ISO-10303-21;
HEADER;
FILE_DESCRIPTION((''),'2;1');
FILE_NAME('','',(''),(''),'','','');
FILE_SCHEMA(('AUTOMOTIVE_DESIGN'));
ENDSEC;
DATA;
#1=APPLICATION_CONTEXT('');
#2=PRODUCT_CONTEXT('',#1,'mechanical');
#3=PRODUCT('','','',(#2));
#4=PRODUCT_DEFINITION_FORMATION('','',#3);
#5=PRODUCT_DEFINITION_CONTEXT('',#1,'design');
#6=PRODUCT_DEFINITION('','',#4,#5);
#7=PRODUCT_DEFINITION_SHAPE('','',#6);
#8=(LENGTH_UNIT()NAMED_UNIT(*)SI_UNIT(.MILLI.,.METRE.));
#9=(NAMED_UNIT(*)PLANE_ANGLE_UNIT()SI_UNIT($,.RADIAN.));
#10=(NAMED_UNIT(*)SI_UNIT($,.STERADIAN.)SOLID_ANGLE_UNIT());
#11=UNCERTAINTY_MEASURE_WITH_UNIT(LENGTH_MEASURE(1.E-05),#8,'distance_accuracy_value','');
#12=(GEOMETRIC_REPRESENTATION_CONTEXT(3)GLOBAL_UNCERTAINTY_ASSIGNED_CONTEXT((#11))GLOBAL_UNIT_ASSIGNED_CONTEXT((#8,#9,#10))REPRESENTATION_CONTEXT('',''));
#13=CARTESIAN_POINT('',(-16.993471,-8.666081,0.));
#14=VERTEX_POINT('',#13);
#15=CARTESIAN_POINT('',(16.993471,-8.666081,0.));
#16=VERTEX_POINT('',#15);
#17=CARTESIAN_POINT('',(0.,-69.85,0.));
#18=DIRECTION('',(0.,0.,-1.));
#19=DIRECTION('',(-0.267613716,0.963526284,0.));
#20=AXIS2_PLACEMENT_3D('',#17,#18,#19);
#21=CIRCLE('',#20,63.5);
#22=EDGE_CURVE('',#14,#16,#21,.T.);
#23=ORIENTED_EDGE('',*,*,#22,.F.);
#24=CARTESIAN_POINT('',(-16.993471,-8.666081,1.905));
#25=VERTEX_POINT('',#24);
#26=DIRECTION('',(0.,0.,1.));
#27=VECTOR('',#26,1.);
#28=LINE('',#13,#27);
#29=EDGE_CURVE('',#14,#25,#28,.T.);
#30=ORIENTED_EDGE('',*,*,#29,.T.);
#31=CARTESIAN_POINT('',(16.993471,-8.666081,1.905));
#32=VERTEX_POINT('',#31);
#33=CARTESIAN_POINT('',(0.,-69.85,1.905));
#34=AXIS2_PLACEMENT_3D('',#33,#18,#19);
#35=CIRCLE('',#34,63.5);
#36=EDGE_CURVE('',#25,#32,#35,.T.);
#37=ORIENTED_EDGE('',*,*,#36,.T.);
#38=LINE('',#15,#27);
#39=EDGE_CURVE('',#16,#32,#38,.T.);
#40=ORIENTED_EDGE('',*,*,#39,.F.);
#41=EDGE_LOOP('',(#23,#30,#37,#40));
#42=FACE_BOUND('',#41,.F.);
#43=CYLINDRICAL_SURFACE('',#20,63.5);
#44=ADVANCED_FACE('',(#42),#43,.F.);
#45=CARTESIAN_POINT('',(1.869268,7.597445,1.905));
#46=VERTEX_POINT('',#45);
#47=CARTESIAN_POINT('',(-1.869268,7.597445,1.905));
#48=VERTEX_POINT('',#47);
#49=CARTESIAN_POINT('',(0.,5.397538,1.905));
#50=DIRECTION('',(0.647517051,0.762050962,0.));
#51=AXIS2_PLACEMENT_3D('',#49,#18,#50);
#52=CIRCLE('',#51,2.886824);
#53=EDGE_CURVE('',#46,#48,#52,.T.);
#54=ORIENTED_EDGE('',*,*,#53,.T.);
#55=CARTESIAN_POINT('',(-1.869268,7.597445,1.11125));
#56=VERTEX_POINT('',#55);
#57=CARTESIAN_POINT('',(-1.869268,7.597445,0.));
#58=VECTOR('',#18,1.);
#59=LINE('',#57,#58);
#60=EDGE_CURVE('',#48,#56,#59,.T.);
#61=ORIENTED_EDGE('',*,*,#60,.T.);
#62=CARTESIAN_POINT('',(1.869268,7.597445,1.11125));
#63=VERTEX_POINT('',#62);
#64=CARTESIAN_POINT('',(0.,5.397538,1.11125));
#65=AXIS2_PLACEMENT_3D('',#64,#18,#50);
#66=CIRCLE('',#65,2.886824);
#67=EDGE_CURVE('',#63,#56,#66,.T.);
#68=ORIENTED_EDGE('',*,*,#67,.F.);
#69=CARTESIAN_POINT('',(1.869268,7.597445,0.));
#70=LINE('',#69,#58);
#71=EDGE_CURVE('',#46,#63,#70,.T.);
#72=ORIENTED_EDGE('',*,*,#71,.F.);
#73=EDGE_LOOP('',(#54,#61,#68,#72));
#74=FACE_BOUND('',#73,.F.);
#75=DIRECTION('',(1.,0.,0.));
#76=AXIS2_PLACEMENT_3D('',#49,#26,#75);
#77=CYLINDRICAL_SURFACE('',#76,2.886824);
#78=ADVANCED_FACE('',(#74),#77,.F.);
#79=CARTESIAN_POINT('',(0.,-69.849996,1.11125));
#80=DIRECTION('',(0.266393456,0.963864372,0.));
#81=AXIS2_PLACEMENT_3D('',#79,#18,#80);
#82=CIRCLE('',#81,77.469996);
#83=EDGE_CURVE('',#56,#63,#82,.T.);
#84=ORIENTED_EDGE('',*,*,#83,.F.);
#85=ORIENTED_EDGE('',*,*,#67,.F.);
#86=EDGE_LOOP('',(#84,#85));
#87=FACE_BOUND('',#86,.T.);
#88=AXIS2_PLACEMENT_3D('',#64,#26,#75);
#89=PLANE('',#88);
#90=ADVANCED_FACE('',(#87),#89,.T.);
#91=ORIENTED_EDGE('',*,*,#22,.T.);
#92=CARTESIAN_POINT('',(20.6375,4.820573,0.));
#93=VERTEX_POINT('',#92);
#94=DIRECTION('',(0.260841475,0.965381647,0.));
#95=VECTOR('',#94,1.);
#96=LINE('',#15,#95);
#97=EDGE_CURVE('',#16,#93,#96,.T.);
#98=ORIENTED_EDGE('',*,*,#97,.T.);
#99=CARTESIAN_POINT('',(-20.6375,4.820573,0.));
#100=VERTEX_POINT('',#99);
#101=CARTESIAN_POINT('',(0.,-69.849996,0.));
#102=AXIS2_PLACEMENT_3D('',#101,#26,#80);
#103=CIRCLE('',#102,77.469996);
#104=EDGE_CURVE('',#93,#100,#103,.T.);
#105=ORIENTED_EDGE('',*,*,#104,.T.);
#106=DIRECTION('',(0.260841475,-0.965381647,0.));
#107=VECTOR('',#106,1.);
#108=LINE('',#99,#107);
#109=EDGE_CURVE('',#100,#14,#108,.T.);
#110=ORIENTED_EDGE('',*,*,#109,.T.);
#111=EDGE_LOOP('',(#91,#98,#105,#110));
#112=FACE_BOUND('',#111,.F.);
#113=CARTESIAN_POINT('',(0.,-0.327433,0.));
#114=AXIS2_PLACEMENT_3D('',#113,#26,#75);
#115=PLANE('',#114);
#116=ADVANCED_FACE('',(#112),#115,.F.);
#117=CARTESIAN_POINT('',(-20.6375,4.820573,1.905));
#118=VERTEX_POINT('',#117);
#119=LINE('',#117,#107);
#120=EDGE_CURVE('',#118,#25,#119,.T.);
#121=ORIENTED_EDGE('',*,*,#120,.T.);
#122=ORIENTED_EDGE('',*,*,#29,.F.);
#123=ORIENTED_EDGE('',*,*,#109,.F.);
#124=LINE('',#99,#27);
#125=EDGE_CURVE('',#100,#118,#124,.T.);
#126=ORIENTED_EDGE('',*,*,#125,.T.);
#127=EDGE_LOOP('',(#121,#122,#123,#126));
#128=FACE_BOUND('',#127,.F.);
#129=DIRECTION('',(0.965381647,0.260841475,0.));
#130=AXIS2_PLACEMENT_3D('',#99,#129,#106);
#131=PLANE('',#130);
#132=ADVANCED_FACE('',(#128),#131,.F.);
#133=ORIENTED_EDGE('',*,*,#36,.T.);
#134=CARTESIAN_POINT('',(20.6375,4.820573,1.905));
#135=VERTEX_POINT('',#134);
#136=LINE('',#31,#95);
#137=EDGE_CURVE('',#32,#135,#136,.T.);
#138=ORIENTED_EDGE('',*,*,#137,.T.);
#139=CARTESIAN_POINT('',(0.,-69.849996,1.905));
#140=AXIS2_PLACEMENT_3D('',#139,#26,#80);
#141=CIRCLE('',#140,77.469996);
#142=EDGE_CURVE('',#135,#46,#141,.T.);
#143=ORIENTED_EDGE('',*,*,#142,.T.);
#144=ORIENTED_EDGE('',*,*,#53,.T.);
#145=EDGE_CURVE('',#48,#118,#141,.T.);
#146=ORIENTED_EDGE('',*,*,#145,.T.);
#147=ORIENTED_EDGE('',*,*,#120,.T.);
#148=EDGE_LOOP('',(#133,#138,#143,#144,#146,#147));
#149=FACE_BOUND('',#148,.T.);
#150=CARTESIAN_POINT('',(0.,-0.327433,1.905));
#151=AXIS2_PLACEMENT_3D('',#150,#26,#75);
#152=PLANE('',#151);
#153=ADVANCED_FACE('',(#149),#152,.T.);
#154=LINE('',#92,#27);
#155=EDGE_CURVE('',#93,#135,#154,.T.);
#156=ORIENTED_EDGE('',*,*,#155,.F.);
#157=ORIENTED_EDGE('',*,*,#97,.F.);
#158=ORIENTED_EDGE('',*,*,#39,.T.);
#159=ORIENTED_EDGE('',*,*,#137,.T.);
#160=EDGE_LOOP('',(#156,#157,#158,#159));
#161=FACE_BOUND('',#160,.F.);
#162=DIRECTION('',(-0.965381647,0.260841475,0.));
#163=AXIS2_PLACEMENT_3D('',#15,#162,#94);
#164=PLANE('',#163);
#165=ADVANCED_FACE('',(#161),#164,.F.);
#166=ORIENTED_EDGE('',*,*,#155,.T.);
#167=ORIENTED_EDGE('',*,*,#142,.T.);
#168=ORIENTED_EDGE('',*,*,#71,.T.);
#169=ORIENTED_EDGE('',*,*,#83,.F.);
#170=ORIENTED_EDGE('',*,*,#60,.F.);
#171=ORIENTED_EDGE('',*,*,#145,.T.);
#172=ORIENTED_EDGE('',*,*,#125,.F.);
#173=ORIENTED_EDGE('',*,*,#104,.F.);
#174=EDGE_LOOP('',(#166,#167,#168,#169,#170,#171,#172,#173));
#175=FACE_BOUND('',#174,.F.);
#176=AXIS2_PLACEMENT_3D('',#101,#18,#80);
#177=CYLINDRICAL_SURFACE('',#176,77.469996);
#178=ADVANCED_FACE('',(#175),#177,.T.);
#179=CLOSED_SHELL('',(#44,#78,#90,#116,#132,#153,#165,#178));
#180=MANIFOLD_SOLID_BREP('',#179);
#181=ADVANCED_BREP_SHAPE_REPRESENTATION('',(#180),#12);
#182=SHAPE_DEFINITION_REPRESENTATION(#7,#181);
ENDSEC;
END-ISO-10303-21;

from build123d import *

# Parameters (mm, degrees)
F1_DEPTH = 1.905
F2_R     = 2.886824
F3_DEPTH = 0.79375


with BuildPart() as f1:
    # F0 (on Top) → F1 (new body)
    with BuildSketch(Plane.XY):
        with BuildLine():
            Line((16.993471, -8.666081), (20.6375, 4.820573))
            ThreePointArc((20.6375, 4.820573), (0, 7.62), (-20.6375, 4.820573))
            Line((-20.6375, 4.820573), (-16.993471, -8.666081))
            ThreePointArc((-16.993471, -8.666081), (0, -6.35), (16.993471, -8.666081))
        make_face()
    extrude(amount=F1_DEPTH)

    # F2 (on face) → F3 (cut)
    with BuildSketch(Plane.XY.offset(1.905)):
        with Locations((0, 5.397538)):
            Circle(F2_R)
    extrude(amount=-F3_DEPTH, mode=Mode.SUBTRACT)


solid = f1.part
